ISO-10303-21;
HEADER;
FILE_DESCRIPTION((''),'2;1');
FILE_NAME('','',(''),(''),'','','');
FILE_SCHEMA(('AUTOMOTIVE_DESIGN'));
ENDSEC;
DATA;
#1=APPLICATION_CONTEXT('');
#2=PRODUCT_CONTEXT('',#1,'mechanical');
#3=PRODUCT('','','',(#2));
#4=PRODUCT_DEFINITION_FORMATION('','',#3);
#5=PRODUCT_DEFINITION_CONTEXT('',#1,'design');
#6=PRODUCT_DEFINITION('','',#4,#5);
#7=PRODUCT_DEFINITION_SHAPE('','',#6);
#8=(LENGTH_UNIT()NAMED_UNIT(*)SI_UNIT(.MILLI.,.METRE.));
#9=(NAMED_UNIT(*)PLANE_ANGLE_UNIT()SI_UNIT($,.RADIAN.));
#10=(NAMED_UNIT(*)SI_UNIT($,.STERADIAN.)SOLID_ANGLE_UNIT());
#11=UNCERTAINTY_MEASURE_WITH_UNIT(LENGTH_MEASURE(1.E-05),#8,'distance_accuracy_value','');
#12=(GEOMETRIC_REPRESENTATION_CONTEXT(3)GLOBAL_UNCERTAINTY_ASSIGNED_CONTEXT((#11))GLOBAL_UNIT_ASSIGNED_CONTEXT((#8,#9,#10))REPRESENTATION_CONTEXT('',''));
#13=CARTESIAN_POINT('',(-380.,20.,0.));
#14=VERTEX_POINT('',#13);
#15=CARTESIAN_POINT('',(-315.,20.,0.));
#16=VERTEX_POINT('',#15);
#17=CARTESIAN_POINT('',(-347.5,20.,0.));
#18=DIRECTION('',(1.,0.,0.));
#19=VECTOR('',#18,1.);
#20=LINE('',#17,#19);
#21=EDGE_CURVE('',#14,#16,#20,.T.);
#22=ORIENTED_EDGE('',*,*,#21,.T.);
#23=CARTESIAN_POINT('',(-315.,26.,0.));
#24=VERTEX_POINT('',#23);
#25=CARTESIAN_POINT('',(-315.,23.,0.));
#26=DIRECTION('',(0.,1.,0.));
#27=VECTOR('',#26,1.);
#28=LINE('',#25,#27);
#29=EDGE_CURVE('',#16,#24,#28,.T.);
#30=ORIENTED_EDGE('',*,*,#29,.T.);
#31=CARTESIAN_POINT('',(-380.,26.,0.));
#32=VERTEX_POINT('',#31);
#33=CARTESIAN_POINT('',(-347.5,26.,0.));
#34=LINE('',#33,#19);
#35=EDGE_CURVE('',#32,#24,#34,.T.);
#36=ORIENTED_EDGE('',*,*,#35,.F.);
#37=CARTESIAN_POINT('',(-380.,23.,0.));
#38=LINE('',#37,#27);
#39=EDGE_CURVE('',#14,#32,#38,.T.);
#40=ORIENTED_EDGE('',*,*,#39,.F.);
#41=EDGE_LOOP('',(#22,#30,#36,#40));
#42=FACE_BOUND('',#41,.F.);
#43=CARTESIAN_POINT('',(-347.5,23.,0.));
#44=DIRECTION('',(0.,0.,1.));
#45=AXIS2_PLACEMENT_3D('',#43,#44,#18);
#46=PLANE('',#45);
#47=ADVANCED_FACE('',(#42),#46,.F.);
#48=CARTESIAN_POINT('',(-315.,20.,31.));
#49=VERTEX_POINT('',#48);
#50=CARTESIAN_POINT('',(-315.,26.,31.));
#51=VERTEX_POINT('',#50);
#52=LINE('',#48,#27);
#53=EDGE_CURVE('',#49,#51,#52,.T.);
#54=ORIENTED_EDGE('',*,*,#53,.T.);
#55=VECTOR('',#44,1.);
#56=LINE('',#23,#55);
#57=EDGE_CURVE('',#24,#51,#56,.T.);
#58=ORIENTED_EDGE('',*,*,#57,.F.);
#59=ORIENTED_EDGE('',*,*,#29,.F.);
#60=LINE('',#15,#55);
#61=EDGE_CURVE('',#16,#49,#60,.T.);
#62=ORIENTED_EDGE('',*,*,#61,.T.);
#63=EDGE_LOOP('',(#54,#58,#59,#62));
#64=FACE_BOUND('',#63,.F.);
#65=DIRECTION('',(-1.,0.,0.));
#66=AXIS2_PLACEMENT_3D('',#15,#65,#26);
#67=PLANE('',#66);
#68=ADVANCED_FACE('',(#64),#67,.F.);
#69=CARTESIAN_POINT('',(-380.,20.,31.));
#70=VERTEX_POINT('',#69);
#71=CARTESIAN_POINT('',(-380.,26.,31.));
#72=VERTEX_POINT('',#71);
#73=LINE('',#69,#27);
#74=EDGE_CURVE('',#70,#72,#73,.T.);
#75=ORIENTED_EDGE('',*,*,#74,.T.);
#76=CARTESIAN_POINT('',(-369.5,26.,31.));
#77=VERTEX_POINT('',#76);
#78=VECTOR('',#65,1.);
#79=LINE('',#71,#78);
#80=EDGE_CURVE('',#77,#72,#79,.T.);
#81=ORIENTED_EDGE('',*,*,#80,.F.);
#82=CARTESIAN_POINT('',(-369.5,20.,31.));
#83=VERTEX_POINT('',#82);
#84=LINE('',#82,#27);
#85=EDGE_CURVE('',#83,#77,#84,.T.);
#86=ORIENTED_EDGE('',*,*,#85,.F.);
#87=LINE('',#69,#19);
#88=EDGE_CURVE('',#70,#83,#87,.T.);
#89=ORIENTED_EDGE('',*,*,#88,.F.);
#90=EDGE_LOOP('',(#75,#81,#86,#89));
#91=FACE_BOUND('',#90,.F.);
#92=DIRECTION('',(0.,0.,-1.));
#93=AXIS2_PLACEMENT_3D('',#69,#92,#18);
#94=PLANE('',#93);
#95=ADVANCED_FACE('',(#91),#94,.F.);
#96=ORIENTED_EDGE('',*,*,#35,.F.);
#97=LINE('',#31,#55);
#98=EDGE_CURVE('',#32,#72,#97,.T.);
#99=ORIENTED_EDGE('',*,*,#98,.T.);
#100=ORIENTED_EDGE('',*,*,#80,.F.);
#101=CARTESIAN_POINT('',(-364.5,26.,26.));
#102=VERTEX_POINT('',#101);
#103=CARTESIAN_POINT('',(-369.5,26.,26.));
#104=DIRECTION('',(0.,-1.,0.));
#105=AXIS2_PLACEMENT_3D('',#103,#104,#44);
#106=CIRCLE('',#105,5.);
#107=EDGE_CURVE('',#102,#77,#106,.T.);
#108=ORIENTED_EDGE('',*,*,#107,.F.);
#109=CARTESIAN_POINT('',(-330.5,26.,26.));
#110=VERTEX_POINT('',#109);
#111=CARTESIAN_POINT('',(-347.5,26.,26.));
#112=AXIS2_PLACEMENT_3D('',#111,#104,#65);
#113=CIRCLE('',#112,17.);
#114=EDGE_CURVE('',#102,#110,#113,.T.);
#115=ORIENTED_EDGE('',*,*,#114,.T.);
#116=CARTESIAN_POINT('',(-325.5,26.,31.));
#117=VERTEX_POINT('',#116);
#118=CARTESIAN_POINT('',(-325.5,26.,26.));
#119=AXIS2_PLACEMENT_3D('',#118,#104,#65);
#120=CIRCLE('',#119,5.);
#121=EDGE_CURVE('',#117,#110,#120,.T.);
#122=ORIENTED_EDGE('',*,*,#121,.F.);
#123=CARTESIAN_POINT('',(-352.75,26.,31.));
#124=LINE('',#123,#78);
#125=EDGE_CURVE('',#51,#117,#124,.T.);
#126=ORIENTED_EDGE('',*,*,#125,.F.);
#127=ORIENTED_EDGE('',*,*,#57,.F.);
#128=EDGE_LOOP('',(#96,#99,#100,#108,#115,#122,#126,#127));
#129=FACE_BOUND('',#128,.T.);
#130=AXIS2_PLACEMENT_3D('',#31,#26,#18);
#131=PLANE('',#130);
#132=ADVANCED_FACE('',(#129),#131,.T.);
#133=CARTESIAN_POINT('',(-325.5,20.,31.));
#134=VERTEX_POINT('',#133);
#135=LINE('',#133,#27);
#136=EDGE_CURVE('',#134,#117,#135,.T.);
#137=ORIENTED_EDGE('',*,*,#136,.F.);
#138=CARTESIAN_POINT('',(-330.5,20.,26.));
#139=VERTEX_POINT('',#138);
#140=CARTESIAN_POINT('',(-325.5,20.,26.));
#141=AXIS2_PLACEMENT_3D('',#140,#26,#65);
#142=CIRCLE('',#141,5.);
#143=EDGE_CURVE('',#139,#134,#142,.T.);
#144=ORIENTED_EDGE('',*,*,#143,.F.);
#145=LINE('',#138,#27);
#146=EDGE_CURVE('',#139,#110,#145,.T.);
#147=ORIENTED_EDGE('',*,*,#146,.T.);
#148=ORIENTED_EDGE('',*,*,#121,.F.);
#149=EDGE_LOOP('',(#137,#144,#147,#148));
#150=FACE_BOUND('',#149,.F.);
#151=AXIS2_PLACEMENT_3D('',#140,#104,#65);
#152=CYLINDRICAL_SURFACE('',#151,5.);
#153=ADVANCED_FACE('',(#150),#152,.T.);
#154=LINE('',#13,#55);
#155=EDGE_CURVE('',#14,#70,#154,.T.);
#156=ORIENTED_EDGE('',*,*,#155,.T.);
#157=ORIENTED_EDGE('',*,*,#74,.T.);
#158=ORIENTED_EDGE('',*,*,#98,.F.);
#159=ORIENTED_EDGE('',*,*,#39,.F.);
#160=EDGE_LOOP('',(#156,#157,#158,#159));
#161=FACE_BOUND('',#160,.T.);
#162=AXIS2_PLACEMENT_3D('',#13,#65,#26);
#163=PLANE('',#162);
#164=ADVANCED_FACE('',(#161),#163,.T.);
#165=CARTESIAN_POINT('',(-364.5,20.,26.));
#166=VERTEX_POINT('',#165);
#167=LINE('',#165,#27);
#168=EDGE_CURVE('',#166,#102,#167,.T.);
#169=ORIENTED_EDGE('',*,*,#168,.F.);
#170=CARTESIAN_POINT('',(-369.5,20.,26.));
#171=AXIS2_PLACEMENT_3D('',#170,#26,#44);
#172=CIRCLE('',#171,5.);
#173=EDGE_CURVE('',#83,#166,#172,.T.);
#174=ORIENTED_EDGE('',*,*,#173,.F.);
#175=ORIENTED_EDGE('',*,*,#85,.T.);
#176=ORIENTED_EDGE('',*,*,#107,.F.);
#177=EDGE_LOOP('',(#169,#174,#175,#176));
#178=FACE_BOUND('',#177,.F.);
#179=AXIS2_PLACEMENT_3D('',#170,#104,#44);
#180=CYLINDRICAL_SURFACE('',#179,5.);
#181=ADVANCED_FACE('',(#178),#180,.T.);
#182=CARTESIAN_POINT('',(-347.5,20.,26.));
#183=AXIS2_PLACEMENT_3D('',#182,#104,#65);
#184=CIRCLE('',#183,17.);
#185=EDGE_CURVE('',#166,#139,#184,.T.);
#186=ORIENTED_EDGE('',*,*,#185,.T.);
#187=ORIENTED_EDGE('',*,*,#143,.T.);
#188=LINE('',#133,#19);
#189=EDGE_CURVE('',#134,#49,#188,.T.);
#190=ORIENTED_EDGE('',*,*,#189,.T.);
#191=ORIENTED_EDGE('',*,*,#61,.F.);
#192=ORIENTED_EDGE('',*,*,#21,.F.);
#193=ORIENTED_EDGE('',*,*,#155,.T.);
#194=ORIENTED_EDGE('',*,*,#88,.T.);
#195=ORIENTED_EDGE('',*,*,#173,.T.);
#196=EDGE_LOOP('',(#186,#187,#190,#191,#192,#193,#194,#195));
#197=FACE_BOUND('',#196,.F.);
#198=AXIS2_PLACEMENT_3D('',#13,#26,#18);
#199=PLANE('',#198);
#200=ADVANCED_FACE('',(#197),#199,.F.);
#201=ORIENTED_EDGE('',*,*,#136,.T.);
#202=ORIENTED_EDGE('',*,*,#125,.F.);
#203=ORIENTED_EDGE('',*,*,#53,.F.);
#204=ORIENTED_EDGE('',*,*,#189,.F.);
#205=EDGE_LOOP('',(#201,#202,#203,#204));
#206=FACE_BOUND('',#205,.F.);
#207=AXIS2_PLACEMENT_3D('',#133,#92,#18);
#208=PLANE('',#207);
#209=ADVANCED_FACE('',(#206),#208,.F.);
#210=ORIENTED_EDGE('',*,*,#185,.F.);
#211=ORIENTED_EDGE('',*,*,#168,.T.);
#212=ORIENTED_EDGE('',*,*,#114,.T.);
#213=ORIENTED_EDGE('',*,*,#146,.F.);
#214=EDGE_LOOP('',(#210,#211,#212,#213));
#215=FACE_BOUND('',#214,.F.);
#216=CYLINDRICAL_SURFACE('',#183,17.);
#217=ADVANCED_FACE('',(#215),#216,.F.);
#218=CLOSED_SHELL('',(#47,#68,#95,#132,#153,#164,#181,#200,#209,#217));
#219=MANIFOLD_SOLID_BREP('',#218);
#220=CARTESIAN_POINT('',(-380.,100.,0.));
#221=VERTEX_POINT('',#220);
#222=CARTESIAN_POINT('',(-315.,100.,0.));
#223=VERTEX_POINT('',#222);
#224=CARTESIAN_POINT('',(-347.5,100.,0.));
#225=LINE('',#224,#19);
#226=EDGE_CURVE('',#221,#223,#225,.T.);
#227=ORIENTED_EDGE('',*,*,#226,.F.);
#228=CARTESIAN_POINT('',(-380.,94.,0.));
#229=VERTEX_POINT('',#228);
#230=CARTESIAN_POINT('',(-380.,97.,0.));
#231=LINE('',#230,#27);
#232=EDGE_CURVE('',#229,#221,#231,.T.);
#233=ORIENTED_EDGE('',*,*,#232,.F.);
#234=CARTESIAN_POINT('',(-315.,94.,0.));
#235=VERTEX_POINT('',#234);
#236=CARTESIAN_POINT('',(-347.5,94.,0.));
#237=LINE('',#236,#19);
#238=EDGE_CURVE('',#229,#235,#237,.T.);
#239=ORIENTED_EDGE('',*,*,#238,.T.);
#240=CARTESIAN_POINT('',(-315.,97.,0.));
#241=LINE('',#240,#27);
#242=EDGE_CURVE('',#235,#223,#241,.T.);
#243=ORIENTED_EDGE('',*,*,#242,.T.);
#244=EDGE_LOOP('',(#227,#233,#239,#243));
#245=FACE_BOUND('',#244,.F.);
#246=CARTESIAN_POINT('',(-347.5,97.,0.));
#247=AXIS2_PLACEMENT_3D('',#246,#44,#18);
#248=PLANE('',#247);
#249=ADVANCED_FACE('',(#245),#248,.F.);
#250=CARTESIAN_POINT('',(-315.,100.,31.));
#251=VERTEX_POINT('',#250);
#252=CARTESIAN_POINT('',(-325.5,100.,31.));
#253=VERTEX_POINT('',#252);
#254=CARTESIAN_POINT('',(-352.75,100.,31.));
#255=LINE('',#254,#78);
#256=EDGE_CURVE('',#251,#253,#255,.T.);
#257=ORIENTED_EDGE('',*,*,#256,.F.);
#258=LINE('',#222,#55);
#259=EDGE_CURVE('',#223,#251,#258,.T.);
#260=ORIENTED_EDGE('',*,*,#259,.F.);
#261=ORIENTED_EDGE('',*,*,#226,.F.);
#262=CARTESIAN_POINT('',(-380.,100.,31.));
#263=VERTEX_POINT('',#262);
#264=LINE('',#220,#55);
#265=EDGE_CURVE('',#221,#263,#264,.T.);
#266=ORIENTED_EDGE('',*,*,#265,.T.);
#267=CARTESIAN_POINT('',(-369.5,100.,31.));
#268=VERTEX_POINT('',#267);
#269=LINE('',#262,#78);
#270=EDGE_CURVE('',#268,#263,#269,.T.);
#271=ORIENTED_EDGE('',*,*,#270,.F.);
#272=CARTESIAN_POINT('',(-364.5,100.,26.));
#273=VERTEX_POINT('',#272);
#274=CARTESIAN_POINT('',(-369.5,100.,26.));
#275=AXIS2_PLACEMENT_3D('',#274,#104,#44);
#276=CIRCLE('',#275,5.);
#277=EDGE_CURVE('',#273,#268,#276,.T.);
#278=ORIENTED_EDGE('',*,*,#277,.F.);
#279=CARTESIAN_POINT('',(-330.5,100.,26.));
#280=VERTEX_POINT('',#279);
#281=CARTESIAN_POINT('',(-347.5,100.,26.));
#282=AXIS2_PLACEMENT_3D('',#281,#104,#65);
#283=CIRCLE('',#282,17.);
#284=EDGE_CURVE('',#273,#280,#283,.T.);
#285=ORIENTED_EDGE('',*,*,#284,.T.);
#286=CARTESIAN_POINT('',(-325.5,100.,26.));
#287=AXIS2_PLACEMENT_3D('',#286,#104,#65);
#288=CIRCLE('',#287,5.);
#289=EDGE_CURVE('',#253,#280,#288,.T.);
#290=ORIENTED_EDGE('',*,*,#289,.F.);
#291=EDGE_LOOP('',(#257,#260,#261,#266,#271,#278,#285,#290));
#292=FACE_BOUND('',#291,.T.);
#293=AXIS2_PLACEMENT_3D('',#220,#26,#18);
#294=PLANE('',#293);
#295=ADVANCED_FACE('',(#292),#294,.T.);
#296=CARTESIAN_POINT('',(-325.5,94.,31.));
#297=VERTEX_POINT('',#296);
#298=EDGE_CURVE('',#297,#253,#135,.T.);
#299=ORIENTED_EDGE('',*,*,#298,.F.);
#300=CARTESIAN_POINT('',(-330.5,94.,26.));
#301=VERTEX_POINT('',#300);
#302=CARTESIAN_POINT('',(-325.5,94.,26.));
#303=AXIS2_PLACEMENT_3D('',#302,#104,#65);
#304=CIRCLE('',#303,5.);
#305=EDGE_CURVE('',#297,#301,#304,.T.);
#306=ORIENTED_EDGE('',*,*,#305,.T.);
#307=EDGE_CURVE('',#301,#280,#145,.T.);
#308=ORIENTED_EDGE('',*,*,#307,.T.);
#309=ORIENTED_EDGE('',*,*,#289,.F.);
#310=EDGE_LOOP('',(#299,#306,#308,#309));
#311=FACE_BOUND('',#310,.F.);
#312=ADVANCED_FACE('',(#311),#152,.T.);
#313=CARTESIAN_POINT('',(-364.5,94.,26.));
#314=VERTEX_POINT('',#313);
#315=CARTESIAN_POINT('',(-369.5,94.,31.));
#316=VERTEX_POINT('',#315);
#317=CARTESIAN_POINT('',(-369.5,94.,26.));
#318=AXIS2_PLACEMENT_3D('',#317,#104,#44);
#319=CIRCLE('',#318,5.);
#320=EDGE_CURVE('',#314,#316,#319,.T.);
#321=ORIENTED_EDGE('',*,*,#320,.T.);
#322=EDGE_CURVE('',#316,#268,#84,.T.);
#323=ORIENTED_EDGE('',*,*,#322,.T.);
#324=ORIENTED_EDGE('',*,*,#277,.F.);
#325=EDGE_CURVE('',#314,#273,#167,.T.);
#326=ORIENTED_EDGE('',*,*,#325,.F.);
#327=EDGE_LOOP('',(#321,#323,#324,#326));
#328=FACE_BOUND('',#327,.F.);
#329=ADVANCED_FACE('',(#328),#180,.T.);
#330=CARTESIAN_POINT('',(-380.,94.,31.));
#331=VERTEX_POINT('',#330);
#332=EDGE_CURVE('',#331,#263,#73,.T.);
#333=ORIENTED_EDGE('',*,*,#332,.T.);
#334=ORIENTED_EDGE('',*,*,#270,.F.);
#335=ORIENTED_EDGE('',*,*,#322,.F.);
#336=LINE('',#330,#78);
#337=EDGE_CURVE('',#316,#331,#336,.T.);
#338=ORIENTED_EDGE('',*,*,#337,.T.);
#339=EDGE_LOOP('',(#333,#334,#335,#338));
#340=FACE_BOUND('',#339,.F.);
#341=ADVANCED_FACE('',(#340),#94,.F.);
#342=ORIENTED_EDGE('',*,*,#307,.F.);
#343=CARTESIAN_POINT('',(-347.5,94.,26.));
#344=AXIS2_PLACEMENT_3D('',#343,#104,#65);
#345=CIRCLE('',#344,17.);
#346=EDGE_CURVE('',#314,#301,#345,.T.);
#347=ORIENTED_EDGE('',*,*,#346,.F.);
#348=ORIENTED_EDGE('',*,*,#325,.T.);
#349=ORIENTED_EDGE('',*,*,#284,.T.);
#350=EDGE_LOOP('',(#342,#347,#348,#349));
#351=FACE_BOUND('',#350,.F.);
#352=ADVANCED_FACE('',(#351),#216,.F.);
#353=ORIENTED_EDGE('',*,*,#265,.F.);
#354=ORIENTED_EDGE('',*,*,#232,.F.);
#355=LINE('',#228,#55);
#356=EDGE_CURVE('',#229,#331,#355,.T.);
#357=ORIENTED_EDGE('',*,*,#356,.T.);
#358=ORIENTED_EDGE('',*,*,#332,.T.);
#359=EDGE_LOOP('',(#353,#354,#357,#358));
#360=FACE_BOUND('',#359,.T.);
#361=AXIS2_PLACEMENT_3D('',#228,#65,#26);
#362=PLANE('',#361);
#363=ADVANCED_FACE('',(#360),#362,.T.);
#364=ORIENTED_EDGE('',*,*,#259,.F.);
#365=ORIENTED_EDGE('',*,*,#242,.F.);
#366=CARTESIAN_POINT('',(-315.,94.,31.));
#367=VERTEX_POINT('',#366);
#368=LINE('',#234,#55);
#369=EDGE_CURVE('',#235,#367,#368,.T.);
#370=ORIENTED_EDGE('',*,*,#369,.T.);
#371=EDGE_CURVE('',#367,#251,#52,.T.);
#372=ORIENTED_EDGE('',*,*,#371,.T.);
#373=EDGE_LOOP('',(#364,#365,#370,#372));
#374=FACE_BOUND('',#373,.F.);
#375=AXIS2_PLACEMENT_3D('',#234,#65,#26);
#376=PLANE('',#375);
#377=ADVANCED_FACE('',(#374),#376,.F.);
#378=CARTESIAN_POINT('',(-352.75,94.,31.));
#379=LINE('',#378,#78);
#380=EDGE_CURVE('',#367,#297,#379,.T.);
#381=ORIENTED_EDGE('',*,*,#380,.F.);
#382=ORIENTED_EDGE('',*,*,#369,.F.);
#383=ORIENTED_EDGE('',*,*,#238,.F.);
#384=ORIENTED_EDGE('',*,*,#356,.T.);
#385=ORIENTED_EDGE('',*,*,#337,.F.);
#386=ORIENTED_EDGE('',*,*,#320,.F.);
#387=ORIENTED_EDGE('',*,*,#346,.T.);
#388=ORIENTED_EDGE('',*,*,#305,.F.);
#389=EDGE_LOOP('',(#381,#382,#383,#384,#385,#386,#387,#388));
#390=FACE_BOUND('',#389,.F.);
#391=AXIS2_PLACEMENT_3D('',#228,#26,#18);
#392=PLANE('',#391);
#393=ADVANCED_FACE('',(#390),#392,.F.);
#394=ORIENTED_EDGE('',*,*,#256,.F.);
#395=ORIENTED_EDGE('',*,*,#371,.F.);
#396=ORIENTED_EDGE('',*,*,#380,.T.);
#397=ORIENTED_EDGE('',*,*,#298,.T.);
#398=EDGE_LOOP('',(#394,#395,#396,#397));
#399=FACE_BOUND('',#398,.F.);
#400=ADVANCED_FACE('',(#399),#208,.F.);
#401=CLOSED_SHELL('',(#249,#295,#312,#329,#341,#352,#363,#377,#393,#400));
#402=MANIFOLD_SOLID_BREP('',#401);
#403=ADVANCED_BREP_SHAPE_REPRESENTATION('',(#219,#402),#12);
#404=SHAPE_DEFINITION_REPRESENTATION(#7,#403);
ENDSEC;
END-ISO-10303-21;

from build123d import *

# Parameters (mm, degrees)
SKETCH1_W             = 65
SKETCH1_H             = 6
BOSS_EXTRUDE1_DEPTH   = 46
BOSS_EXTRUDE1_2_DEPTH = 46
CUT_EXTRUDE4_DEPTH    = 81


with BuildPart() as part:
    # Sketch1 → Boss-Extrude1 (new body)
    with BuildSketch(Plane.XY):
        with Locations((-347.5, 23)):
            Rectangle(SKETCH1_W, SKETCH1_H)
    extrude(amount=BOSS_EXTRUDE1_DEPTH)


with BuildPart() as body_2:
    # Sketch1 → Boss-Extrude1 2 (new body)
    with BuildSketch(Plane.XY):
        with Locations((-347.5, 97)):
            Rectangle(SKETCH1_W, SKETCH1_H)
    extrude(amount=BOSS_EXTRUDE1_2_DEPTH)


with BuildPart() as cut_extrude4_tool:
    # Sketch4 → Cut-Extrude4 (new body, through all)
    with BuildSketch(Plane(origin=(0, 20, 0), x_dir=(-1, 0, 0), z_dir=(0, -1, 0))):
        with BuildLine():
            Line((315, -31), (315, -46))
            Line((315, -46), (380, -46))
            Line((380, -46), (380, -31))
            Line((380, -31), (369.5, -31))
            ThreePointArc((369.5, -31), (365.964466094, -29.535533906), (364.5, -26))
            ThreePointArc((364.5, -26), (347.5, -9), (330.5, -26))
            ThreePointArc((330.5, -26), (329.035533906, -29.535533906), (325.5, -31))
            Line((325.5, -31), (315, -31))
        make_face()
    extrude(amount=-CUT_EXTRUDE4_DEPTH)


with BuildPart() as part_1:
    add(part.part)

    # Cut-Extrude4: cut by cut_extrude4_tool
    add(cut_extrude4_tool.part, mode=Mode.SUBTRACT)


with BuildPart() as body_2_1:
    add(body_2.part)

    # Cut-Extrude4: cut by cut_extrude4_tool
    add(cut_extrude4_tool.part, mode=Mode.SUBTRACT)


solid = Compound([part_1.part, body_2_1.part])
